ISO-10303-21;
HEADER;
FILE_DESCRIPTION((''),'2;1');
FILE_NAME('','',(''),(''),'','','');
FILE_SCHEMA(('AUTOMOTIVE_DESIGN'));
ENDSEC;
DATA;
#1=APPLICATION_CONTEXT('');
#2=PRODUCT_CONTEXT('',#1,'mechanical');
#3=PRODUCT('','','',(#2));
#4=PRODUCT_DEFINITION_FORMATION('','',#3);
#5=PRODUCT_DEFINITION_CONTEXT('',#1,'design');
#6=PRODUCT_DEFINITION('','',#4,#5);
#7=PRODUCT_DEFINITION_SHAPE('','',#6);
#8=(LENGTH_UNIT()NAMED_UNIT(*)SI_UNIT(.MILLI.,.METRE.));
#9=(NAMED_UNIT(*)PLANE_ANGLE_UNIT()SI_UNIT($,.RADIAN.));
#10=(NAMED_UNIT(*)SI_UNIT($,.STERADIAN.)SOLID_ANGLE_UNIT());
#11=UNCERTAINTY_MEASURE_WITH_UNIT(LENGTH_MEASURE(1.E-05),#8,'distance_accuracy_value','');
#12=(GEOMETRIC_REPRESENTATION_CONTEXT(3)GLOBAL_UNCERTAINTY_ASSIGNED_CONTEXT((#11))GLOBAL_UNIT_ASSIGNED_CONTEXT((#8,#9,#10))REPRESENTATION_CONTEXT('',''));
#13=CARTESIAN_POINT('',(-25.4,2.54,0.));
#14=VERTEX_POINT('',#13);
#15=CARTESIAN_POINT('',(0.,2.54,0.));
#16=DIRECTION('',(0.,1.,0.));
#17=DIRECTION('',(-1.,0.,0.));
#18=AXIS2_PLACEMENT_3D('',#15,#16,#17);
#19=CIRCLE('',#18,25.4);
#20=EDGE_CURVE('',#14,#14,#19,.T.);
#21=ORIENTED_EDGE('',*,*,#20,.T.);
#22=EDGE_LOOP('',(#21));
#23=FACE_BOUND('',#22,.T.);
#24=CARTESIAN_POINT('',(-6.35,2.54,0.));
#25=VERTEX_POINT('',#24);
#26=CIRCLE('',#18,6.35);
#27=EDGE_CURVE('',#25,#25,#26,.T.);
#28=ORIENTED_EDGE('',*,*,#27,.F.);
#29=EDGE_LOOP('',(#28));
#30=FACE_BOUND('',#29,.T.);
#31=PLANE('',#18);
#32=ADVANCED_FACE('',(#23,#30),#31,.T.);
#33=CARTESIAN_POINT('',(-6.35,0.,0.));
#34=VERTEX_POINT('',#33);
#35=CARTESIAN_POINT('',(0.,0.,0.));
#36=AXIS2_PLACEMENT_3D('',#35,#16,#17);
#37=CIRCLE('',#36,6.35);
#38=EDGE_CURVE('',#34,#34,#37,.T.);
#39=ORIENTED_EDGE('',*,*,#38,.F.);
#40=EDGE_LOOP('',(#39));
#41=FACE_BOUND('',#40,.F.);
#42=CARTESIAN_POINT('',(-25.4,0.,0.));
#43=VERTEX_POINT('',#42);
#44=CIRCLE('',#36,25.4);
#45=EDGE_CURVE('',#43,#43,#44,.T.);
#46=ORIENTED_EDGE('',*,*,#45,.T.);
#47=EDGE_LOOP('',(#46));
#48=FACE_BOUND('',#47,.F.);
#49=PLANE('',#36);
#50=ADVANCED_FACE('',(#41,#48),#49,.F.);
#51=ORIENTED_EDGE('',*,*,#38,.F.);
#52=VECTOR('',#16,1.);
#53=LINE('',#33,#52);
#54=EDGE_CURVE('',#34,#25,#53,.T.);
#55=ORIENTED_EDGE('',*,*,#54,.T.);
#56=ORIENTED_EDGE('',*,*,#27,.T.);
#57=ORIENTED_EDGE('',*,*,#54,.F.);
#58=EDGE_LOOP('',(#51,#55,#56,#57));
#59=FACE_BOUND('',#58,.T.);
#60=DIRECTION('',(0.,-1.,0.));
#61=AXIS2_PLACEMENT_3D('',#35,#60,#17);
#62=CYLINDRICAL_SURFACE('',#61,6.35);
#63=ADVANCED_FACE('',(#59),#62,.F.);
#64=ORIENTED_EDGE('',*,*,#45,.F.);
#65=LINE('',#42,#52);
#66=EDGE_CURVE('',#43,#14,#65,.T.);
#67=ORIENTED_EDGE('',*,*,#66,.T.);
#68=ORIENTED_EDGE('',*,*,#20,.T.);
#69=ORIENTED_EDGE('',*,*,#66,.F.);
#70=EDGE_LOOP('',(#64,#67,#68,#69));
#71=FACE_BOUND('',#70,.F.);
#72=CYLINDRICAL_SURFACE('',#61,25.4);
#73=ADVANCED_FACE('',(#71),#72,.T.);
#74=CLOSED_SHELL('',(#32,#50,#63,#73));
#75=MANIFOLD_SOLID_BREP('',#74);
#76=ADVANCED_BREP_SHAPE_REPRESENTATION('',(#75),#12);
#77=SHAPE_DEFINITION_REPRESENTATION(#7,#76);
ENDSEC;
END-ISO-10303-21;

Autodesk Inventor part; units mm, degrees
ref_plane "YZ Plane" through (0, 0, 0) normal (1, 0, 0) x (0, 1, 0)
ref_plane "XZ Plane" through (0, 0, 0) normal (0, 1, 0) x (-1, 0, 0)
ref_plane "XY Plane" through (0, 0, 0) normal (0, 0, 1) x (1, 0, 0)
sketch "Sketch1" plane through (0, 0, 0) normal (0, 1, 0) x (-1, 0, 0)
  circle A0 centre (0, 0) radius 6.35
  circle A1 centre (0, 0) radius 25.4
  dimension "d0" = 12.7
  dimension "d1" = 50.8
extrude "Extrusion1" add sketch "Sketch1" along normal blind 2.54
thread "Thread1" size "1/2-13 UNC" class "2B" standard "ANSI Unified Screw Threads" full length
properties part number "Washer"
